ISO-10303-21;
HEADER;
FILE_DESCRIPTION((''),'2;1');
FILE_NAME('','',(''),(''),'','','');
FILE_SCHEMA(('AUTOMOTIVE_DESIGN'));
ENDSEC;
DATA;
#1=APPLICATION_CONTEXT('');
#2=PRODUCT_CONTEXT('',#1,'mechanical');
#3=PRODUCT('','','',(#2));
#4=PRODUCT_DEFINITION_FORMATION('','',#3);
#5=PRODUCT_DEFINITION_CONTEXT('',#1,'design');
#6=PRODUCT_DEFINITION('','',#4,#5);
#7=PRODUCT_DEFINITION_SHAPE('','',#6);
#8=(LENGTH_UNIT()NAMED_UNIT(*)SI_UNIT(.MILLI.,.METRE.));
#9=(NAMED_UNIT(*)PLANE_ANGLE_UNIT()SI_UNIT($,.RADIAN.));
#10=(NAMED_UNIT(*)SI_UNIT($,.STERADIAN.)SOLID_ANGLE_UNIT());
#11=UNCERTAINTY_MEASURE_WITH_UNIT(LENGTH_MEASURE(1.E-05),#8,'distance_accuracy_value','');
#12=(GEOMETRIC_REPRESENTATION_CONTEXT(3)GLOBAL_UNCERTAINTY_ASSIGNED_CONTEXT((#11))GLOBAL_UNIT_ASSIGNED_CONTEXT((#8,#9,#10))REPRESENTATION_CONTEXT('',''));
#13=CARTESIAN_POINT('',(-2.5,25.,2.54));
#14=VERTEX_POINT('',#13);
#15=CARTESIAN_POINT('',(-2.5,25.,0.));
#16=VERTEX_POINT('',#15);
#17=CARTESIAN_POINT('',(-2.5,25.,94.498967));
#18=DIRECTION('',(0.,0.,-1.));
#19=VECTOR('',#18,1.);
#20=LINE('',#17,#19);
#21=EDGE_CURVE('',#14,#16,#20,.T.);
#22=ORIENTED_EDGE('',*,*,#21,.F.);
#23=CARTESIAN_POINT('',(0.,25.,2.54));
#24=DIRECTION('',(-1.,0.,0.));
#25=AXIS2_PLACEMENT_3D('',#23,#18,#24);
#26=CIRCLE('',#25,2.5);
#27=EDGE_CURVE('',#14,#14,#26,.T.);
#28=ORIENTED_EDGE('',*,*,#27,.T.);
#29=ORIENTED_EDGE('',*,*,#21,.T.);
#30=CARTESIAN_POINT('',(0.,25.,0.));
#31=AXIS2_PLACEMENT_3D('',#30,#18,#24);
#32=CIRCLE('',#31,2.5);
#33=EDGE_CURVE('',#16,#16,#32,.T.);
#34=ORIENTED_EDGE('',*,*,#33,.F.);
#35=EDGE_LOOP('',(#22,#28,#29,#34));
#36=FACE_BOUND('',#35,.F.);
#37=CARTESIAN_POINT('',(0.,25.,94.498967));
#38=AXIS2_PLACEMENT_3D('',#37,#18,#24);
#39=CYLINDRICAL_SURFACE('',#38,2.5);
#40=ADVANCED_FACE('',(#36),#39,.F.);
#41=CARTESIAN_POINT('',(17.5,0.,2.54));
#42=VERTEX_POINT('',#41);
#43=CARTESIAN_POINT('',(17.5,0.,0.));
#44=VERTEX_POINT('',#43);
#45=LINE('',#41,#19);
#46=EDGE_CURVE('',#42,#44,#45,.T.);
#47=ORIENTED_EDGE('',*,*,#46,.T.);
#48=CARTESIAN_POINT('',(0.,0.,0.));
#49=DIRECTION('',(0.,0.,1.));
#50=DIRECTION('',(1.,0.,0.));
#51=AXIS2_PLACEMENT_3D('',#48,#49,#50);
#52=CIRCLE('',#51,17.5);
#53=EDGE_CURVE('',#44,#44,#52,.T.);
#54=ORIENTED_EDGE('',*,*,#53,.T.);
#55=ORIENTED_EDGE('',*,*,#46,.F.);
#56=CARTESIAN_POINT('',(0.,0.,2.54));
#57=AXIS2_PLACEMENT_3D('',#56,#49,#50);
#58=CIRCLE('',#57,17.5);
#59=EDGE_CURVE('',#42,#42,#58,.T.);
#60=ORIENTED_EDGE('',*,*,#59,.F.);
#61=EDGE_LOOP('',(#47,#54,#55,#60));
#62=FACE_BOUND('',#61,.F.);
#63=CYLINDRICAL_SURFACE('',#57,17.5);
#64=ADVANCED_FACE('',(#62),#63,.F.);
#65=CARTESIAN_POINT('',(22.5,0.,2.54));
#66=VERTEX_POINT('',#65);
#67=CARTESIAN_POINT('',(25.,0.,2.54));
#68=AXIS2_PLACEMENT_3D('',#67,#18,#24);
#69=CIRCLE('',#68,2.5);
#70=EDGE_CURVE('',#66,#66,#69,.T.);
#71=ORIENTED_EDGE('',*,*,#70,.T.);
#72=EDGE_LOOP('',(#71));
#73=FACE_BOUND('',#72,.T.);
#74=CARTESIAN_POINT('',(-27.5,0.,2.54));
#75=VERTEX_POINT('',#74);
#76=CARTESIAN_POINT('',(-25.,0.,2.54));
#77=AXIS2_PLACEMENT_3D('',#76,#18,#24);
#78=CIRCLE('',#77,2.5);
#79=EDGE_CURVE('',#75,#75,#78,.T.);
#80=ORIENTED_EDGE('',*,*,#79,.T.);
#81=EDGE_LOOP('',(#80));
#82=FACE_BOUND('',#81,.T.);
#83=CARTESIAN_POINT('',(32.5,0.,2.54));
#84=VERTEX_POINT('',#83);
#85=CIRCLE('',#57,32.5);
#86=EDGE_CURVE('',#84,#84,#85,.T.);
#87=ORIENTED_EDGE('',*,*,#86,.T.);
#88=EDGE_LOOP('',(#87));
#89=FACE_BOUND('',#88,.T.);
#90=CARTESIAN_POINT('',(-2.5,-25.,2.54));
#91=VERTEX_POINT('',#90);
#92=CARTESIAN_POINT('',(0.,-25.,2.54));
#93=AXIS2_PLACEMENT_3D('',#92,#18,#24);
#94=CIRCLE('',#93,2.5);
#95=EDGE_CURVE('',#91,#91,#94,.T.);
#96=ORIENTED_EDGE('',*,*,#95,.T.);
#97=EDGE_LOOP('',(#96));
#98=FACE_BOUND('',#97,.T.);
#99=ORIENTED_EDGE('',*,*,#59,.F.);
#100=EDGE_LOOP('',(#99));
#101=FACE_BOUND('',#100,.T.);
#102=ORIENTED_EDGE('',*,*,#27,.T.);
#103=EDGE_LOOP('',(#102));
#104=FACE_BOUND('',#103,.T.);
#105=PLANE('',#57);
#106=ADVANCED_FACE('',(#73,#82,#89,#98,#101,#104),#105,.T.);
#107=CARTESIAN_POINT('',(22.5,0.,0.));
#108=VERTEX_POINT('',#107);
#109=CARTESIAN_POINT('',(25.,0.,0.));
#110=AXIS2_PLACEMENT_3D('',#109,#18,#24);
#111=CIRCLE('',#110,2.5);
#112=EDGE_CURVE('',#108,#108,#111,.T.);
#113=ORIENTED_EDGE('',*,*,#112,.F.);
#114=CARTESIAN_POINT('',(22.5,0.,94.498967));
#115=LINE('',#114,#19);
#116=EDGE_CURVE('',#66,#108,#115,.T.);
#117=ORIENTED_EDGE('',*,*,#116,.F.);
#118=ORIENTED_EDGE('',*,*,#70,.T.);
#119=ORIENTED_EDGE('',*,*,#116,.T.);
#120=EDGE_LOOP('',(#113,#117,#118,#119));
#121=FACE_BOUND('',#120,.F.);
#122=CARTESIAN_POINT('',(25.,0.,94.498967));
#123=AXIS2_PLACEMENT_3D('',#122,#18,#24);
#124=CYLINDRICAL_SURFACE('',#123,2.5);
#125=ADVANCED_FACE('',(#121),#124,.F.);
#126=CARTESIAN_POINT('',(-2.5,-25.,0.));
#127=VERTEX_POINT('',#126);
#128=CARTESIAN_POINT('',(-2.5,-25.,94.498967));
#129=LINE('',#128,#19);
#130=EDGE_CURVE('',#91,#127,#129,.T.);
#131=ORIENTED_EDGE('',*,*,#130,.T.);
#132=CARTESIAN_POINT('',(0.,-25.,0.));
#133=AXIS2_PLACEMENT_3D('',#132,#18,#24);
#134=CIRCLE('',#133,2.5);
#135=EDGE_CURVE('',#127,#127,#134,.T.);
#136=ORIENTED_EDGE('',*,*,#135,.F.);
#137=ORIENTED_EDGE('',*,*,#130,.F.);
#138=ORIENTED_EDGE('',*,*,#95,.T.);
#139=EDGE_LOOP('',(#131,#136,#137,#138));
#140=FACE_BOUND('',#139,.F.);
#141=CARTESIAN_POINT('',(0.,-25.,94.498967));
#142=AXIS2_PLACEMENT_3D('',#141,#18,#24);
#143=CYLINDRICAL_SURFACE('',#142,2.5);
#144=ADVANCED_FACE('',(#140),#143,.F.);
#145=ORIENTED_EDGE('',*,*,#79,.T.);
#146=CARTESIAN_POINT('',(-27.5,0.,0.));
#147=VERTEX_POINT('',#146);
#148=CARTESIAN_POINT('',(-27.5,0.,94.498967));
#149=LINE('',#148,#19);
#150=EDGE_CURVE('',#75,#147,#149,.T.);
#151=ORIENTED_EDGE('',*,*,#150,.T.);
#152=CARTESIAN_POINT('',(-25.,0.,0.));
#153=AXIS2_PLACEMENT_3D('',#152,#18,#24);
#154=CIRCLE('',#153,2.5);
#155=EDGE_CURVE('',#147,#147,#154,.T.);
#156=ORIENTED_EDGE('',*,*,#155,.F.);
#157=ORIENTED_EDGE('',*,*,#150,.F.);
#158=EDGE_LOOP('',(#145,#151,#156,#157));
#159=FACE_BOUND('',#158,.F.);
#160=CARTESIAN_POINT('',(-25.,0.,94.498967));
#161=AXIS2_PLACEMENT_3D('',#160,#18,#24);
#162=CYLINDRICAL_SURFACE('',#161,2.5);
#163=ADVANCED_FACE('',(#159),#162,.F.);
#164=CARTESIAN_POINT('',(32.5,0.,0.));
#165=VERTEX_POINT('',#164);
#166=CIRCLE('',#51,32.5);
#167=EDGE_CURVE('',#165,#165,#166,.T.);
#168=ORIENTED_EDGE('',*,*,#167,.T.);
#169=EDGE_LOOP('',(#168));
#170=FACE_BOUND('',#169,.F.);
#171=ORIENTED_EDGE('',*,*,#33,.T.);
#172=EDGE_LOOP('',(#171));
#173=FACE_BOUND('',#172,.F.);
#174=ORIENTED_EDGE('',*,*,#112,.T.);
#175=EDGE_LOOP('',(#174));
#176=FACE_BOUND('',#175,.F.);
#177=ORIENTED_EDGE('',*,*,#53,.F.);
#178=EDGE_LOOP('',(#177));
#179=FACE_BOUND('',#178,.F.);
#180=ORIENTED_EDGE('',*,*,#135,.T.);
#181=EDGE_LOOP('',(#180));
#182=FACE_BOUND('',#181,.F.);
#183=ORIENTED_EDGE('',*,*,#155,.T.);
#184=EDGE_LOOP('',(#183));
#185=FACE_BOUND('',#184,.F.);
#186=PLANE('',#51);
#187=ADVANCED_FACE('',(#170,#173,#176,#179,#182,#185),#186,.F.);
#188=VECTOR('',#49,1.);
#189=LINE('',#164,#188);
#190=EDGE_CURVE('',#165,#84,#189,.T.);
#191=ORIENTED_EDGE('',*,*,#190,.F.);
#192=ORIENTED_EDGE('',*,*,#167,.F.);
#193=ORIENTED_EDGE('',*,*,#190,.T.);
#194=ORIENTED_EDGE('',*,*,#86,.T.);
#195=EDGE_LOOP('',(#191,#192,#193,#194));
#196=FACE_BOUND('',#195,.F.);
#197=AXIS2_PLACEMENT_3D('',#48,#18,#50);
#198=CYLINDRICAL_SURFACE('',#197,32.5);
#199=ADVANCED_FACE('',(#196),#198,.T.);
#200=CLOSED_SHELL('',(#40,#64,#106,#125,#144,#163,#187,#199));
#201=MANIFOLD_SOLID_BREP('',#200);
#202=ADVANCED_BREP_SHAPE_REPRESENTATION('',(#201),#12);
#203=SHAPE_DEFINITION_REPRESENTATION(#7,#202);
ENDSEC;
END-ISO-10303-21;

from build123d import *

# Parameters (mm, degrees)
F0_R     = 32.5
F1_DEPTH = 2.54
F3_D     = 5
F4_R     = 17.5
F5_DEPTH = 2.541


with BuildPart() as f1:
    # F0 (on Top) → F1 (new body)
    with BuildSketch(Plane.XY):
        Circle(F0_R)
    extrude(amount=F1_DEPTH)

    # F3 (through all)
    with Locations(Plane.XY.offset(2.54)):
        with Locations((25, 0), (-25, 0), (0, -25), (0, 25)):
            Hole(F3_D / 2)

    # F4 (on face) → F5 (cut, through all)
    with BuildSketch(Plane.XY.offset(2.54)):
        Circle(F4_R)
    extrude(amount=-F5_DEPTH, mode=Mode.SUBTRACT)


solid = f1.part
